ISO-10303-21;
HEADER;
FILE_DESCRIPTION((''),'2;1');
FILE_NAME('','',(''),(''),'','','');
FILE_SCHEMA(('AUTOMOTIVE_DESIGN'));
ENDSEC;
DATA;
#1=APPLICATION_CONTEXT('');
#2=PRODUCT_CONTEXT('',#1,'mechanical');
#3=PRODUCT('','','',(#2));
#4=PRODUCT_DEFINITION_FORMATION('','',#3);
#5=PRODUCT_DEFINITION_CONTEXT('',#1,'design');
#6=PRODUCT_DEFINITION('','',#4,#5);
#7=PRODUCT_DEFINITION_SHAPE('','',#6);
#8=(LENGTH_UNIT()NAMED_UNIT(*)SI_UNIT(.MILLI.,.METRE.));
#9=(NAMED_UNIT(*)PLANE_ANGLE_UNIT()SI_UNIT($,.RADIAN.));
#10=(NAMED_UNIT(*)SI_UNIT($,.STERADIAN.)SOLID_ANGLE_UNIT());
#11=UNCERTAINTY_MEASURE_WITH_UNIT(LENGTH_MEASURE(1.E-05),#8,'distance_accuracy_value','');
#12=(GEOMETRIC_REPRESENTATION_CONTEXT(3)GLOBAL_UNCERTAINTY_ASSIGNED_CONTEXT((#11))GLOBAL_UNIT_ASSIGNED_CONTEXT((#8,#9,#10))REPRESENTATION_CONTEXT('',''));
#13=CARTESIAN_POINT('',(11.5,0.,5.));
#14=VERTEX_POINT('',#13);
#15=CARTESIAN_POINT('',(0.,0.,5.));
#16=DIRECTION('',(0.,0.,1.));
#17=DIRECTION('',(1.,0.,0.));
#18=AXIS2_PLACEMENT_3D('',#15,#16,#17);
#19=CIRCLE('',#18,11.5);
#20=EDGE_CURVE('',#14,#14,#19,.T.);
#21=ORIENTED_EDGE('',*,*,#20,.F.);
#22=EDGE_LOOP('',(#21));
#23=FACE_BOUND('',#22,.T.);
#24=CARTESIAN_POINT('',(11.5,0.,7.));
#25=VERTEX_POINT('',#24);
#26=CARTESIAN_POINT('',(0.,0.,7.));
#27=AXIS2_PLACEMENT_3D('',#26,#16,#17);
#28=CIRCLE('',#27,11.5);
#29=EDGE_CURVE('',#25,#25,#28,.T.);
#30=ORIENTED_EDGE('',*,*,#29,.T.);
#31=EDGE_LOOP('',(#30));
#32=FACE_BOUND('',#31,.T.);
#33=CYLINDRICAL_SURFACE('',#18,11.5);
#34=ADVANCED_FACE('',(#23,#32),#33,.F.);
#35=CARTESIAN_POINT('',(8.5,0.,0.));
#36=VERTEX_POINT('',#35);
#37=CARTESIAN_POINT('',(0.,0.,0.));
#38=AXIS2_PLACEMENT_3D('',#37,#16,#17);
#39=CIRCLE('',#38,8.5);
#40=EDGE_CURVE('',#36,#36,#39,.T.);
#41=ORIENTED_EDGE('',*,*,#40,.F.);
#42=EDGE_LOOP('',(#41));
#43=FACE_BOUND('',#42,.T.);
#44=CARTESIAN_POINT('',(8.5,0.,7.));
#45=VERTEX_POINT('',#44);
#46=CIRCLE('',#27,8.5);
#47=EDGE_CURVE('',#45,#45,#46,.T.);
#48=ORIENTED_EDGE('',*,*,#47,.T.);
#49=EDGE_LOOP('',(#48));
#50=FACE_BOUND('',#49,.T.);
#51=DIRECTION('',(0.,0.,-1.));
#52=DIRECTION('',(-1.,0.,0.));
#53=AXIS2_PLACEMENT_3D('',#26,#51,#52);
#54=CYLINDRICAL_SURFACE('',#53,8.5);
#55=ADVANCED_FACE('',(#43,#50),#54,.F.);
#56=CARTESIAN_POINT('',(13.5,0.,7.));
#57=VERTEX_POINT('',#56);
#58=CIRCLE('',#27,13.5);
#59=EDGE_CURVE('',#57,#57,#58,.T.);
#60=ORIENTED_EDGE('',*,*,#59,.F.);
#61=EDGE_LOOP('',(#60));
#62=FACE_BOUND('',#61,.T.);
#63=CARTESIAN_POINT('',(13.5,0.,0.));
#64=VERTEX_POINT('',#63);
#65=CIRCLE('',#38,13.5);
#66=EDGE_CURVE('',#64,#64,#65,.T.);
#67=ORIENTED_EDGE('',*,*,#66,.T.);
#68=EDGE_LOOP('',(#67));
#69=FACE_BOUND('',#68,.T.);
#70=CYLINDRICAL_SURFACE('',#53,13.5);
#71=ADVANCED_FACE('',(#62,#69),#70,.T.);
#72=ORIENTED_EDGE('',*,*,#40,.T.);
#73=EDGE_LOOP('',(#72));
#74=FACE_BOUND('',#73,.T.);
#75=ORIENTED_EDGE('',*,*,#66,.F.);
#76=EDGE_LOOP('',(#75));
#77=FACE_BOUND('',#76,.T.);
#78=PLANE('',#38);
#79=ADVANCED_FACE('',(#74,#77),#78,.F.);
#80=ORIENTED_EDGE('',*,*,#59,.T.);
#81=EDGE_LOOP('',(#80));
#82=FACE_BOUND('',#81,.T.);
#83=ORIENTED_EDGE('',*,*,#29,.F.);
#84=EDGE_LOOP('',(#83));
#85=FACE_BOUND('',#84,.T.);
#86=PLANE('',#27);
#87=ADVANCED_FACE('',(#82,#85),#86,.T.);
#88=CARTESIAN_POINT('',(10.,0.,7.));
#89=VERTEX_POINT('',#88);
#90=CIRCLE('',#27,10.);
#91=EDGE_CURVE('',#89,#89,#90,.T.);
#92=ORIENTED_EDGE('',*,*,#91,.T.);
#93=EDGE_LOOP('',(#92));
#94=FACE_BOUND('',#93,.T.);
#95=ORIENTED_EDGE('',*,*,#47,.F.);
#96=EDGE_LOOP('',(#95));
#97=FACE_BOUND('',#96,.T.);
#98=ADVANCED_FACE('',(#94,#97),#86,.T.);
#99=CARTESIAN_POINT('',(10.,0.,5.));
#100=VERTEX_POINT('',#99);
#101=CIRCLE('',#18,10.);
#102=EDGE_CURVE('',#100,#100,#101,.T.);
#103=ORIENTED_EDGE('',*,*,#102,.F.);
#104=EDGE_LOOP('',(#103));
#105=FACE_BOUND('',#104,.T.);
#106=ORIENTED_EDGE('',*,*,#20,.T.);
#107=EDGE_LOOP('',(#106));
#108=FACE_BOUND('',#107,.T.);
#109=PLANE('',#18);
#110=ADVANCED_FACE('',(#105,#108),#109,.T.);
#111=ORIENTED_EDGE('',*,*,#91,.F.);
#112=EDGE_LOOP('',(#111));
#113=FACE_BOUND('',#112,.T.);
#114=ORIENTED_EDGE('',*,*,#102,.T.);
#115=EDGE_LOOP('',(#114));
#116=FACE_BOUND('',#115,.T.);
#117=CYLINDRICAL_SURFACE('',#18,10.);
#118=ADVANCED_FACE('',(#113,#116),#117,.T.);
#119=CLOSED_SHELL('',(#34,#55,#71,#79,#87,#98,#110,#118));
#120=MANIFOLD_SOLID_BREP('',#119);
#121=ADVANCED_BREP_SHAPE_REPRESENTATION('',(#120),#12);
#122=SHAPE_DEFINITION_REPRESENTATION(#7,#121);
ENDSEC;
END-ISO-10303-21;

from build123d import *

# Parameters (mm, degrees)
SKETCH1_R           = 13.5
SKETCH1_R_2         = 8.5
BOSS_EXTRUDE1_DEPTH = 7
SKETCH2_R           = 11.5
SKETCH2_R_2         = 10
CUT_EXTRUDE1_DEPTH  = 2


with BuildPart() as part:
    # Sketch1 → Boss-Extrude1 (new body)
    with BuildSketch(Plane.XY):
        Circle(SKETCH1_R)
        Circle(SKETCH1_R_2, mode=Mode.SUBTRACT)
    extrude(amount=BOSS_EXTRUDE1_DEPTH)

    # Sketch2 → Cut-Extrude1 (cut)
    with BuildSketch(Plane.XY.offset(7)):
        Circle(SKETCH2_R)
        Circle(SKETCH2_R_2, mode=Mode.SUBTRACT)
    extrude(amount=-CUT_EXTRUDE1_DEPTH, mode=Mode.SUBTRACT)


solid = part.part
